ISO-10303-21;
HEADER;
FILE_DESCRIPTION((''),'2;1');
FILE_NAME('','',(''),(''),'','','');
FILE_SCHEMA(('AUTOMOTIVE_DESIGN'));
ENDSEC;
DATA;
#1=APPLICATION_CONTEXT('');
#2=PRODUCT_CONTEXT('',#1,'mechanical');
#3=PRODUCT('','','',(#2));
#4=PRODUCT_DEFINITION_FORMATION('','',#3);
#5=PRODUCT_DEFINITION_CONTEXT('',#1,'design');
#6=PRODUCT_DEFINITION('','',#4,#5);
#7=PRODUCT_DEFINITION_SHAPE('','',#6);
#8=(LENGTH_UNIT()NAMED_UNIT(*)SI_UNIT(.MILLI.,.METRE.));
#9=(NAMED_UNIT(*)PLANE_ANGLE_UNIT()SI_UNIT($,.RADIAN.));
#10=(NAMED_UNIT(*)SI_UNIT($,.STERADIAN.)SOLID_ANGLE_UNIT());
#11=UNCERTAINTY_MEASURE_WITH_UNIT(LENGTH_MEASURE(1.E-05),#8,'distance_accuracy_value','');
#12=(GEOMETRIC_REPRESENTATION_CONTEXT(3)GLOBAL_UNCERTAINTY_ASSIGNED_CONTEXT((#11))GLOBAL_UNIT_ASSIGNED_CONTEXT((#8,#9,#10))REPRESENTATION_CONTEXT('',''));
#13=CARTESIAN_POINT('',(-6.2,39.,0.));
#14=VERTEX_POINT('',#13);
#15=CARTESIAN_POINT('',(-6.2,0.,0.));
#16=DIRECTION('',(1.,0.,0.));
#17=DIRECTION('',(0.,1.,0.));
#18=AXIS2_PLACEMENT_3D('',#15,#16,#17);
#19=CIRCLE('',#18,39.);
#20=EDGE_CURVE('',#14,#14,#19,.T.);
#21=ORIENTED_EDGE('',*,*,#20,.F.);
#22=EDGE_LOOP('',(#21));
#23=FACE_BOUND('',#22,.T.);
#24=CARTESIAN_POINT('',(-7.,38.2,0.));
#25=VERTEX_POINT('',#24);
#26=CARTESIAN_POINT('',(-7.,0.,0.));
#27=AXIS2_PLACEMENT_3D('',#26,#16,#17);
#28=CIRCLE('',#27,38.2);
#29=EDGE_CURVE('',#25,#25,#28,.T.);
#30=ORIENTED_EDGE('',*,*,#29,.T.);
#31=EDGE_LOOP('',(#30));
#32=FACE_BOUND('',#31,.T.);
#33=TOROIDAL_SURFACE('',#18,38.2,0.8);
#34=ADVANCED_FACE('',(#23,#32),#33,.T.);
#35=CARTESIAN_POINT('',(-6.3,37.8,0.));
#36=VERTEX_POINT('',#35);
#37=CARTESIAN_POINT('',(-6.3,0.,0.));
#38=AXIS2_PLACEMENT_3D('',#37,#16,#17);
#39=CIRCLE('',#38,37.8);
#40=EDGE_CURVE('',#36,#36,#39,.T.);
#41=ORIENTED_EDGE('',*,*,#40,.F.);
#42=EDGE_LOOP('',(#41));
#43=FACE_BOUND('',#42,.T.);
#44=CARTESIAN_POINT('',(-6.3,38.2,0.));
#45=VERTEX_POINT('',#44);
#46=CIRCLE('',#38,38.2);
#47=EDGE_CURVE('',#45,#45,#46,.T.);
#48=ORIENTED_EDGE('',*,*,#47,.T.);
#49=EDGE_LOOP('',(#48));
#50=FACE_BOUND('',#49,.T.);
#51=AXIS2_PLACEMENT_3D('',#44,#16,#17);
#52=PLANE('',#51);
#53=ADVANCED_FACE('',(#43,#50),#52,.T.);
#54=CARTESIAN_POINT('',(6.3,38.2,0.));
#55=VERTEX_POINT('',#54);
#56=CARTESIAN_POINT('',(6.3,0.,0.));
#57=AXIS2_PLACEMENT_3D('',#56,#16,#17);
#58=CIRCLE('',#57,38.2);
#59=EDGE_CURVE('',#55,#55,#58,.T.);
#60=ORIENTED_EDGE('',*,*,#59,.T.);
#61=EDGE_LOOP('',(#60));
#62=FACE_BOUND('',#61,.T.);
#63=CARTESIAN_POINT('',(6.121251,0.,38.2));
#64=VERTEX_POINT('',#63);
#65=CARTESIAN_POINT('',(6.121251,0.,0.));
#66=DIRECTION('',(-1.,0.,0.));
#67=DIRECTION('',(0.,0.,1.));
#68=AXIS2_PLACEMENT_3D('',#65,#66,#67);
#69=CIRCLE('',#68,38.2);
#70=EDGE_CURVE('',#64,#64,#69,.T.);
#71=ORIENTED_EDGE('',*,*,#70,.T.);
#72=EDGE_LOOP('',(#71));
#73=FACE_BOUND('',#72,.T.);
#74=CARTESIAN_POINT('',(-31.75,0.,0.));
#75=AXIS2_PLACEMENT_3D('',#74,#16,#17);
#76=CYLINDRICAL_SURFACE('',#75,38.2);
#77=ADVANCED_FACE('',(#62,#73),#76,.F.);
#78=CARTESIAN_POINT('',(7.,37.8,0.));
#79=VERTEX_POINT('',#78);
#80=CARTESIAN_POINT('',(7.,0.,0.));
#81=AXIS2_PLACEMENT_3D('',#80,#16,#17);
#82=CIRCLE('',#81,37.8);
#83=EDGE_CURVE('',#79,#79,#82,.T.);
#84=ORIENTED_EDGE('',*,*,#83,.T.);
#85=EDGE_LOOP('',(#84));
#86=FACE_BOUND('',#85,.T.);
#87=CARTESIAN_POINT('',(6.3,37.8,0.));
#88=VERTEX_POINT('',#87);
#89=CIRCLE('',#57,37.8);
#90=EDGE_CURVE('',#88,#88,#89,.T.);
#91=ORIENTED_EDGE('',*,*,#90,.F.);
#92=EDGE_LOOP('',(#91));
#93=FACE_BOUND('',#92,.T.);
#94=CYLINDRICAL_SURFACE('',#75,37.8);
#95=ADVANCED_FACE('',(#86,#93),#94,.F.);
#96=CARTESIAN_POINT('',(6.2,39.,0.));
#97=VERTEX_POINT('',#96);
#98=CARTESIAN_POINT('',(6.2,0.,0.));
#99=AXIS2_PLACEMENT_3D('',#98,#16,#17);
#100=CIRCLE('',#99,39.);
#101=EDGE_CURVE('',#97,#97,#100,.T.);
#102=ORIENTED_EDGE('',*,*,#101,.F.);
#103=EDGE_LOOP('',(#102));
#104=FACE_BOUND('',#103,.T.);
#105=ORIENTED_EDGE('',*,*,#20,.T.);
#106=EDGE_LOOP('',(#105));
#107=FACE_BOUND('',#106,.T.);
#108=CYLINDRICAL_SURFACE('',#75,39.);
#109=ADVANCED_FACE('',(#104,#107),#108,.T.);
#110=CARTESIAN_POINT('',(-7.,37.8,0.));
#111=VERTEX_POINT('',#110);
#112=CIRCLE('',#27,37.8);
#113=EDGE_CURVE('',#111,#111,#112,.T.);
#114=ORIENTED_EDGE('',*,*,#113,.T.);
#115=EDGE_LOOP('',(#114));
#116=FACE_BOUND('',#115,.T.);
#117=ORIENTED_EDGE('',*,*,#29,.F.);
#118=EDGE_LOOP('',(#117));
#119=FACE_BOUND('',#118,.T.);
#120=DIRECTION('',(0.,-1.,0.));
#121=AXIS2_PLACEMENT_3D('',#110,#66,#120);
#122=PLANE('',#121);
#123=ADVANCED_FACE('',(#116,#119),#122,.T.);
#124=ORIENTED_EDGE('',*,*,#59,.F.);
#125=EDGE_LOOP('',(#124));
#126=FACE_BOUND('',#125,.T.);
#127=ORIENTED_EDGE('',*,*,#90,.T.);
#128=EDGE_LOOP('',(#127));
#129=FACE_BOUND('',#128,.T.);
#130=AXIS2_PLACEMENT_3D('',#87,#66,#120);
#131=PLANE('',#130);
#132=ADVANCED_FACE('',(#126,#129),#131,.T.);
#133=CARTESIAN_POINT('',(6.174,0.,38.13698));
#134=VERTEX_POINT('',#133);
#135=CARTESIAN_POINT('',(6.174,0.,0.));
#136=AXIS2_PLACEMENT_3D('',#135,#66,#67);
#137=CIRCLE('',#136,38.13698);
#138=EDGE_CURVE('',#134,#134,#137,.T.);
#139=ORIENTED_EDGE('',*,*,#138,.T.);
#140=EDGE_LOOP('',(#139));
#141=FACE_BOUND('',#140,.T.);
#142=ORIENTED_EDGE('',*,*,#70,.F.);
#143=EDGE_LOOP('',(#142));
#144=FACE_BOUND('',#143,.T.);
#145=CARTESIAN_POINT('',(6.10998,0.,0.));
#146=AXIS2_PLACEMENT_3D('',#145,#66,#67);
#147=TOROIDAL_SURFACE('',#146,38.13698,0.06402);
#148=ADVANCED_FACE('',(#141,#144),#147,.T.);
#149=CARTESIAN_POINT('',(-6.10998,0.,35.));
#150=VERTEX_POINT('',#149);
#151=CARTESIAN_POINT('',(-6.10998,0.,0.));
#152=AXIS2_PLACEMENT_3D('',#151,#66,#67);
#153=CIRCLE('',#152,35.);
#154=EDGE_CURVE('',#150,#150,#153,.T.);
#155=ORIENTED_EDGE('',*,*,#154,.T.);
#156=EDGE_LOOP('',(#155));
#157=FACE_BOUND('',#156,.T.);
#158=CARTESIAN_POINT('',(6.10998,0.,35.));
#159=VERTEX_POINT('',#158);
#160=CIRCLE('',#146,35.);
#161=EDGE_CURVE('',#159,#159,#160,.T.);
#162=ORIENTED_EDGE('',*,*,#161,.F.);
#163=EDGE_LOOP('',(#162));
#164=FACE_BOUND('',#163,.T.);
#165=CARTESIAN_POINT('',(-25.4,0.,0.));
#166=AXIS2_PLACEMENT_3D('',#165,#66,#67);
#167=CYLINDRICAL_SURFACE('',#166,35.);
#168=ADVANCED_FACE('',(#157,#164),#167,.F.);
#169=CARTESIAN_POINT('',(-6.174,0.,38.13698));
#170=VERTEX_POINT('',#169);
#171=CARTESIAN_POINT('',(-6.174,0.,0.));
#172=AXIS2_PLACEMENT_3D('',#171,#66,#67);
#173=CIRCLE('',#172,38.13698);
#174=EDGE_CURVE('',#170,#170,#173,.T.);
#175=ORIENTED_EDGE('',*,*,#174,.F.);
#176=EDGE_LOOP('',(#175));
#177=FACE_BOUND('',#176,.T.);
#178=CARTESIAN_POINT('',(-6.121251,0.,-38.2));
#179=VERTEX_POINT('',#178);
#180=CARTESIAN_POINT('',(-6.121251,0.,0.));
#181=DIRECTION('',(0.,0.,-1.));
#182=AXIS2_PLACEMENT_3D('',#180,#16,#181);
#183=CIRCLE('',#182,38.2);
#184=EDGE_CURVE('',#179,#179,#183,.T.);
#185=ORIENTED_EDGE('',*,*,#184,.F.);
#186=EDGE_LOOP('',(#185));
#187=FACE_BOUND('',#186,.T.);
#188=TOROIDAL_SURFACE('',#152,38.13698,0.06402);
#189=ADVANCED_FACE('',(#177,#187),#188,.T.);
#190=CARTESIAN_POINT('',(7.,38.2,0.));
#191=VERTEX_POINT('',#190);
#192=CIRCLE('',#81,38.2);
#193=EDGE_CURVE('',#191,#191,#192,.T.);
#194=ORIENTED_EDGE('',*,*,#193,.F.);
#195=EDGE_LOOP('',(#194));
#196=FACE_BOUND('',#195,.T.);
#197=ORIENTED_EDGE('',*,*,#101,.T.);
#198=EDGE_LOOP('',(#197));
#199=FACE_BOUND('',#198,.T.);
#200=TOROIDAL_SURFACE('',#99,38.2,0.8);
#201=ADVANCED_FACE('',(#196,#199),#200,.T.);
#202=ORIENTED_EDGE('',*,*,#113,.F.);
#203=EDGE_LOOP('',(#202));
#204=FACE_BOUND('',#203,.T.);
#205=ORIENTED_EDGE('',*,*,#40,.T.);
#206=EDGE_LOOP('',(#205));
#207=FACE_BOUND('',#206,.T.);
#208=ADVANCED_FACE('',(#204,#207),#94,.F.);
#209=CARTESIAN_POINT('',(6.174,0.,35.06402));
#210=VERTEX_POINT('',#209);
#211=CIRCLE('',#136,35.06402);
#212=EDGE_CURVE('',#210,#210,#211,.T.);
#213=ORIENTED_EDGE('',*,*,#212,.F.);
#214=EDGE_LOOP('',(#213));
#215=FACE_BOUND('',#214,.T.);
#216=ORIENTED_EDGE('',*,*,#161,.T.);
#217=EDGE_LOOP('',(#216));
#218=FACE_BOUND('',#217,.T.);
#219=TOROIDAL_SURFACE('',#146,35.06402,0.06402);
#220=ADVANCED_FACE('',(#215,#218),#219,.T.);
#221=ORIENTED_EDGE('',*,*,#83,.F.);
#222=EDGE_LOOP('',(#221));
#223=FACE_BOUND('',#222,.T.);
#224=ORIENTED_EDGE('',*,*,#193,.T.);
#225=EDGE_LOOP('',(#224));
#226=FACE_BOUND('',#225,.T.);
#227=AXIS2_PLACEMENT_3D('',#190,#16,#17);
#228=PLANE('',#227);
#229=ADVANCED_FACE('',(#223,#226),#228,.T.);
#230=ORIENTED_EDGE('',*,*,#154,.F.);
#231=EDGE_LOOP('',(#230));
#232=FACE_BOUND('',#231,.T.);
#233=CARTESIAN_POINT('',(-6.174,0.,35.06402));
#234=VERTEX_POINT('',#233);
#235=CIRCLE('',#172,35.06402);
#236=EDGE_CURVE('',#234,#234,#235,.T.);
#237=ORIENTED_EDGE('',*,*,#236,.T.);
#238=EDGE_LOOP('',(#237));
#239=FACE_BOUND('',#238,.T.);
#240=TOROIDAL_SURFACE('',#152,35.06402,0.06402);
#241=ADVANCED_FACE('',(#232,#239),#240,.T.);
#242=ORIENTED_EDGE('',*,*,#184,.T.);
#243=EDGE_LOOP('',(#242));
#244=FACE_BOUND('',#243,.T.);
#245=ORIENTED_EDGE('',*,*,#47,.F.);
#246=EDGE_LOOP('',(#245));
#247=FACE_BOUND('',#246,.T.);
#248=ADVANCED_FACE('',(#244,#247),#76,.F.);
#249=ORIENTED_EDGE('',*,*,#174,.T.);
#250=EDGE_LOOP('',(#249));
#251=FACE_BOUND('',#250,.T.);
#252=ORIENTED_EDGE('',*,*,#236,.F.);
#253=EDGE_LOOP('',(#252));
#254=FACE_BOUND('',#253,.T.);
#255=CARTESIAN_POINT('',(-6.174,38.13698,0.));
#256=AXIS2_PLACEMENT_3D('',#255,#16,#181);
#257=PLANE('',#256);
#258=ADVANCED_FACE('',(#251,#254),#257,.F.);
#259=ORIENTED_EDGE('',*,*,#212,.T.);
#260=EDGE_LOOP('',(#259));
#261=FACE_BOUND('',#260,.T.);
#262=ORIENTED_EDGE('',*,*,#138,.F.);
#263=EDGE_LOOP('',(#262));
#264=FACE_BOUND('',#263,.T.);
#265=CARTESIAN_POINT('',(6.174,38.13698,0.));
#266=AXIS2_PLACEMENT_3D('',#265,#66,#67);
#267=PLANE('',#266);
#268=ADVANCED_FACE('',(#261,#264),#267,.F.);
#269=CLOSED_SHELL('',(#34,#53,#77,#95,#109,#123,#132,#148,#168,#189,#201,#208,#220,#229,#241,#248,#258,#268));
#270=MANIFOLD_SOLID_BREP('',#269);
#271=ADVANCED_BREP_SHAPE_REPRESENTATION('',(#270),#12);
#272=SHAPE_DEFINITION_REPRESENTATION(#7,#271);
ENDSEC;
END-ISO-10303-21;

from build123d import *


with BuildPart() as part:
    # InnRacSke → Race (revolve)
    with BuildSketch(Plane.XY):
        with BuildLine():
            Line((-6.3, 37.8), (-7, 37.8))
            Line((-7, 37.8), (-7, 38.2))
            ThreePointArc((-7, 38.2), (-6.765685425, 38.765685425), (-6.2, 39))
            Line((-6.2, 39), (6.2, 39))
            ThreePointArc((6.2, 39), (6.765685425, 38.765685425), (7, 38.2))
            Line((7, 38.2), (7, 37.8))
            Line((7, 37.8), (6.3, 37.8))
            Line((6.3, 37.8), (6.3, 38.2))
            Line((6.3, 38.2), (-6.3, 38.2))
            Line((-6.3, 38.2), (-6.3, 37.8))
        make_face()
    revolve(axis=Axis((-31.75, 0, 0), (1, 0, 0)))

    # RolSimSke → RollersSimplified (revolve)
    with BuildSketch(Plane.XY):
        with BuildLine():
            Line((-6.10998, 38.201), (6.10998, 38.201))
            ThreePointArc((6.10998, 38.201), (6.155248976, 38.182248976), (6.174, 38.13698))
            Line((6.174, 38.13698), (6.174, 35.06402))
            ThreePointArc((6.174, 35.06402), (6.155248976, 35.018751024), (6.10998, 35))
            Line((6.10998, 35), (-6.10998, 35))
            ThreePointArc((-6.10998, 35), (-6.155248976, 35.018751024), (-6.174, 35.06402))
            Line((-6.174, 35.06402), (-6.174, 38.13698))
            ThreePointArc((-6.174, 38.13698), (-6.155248976, 38.182248976), (-6.10998, 38.201))
        make_face()
    revolve(axis=Axis((-25.4, 0, 0), (1, 0, 0)))


solid = part.part
